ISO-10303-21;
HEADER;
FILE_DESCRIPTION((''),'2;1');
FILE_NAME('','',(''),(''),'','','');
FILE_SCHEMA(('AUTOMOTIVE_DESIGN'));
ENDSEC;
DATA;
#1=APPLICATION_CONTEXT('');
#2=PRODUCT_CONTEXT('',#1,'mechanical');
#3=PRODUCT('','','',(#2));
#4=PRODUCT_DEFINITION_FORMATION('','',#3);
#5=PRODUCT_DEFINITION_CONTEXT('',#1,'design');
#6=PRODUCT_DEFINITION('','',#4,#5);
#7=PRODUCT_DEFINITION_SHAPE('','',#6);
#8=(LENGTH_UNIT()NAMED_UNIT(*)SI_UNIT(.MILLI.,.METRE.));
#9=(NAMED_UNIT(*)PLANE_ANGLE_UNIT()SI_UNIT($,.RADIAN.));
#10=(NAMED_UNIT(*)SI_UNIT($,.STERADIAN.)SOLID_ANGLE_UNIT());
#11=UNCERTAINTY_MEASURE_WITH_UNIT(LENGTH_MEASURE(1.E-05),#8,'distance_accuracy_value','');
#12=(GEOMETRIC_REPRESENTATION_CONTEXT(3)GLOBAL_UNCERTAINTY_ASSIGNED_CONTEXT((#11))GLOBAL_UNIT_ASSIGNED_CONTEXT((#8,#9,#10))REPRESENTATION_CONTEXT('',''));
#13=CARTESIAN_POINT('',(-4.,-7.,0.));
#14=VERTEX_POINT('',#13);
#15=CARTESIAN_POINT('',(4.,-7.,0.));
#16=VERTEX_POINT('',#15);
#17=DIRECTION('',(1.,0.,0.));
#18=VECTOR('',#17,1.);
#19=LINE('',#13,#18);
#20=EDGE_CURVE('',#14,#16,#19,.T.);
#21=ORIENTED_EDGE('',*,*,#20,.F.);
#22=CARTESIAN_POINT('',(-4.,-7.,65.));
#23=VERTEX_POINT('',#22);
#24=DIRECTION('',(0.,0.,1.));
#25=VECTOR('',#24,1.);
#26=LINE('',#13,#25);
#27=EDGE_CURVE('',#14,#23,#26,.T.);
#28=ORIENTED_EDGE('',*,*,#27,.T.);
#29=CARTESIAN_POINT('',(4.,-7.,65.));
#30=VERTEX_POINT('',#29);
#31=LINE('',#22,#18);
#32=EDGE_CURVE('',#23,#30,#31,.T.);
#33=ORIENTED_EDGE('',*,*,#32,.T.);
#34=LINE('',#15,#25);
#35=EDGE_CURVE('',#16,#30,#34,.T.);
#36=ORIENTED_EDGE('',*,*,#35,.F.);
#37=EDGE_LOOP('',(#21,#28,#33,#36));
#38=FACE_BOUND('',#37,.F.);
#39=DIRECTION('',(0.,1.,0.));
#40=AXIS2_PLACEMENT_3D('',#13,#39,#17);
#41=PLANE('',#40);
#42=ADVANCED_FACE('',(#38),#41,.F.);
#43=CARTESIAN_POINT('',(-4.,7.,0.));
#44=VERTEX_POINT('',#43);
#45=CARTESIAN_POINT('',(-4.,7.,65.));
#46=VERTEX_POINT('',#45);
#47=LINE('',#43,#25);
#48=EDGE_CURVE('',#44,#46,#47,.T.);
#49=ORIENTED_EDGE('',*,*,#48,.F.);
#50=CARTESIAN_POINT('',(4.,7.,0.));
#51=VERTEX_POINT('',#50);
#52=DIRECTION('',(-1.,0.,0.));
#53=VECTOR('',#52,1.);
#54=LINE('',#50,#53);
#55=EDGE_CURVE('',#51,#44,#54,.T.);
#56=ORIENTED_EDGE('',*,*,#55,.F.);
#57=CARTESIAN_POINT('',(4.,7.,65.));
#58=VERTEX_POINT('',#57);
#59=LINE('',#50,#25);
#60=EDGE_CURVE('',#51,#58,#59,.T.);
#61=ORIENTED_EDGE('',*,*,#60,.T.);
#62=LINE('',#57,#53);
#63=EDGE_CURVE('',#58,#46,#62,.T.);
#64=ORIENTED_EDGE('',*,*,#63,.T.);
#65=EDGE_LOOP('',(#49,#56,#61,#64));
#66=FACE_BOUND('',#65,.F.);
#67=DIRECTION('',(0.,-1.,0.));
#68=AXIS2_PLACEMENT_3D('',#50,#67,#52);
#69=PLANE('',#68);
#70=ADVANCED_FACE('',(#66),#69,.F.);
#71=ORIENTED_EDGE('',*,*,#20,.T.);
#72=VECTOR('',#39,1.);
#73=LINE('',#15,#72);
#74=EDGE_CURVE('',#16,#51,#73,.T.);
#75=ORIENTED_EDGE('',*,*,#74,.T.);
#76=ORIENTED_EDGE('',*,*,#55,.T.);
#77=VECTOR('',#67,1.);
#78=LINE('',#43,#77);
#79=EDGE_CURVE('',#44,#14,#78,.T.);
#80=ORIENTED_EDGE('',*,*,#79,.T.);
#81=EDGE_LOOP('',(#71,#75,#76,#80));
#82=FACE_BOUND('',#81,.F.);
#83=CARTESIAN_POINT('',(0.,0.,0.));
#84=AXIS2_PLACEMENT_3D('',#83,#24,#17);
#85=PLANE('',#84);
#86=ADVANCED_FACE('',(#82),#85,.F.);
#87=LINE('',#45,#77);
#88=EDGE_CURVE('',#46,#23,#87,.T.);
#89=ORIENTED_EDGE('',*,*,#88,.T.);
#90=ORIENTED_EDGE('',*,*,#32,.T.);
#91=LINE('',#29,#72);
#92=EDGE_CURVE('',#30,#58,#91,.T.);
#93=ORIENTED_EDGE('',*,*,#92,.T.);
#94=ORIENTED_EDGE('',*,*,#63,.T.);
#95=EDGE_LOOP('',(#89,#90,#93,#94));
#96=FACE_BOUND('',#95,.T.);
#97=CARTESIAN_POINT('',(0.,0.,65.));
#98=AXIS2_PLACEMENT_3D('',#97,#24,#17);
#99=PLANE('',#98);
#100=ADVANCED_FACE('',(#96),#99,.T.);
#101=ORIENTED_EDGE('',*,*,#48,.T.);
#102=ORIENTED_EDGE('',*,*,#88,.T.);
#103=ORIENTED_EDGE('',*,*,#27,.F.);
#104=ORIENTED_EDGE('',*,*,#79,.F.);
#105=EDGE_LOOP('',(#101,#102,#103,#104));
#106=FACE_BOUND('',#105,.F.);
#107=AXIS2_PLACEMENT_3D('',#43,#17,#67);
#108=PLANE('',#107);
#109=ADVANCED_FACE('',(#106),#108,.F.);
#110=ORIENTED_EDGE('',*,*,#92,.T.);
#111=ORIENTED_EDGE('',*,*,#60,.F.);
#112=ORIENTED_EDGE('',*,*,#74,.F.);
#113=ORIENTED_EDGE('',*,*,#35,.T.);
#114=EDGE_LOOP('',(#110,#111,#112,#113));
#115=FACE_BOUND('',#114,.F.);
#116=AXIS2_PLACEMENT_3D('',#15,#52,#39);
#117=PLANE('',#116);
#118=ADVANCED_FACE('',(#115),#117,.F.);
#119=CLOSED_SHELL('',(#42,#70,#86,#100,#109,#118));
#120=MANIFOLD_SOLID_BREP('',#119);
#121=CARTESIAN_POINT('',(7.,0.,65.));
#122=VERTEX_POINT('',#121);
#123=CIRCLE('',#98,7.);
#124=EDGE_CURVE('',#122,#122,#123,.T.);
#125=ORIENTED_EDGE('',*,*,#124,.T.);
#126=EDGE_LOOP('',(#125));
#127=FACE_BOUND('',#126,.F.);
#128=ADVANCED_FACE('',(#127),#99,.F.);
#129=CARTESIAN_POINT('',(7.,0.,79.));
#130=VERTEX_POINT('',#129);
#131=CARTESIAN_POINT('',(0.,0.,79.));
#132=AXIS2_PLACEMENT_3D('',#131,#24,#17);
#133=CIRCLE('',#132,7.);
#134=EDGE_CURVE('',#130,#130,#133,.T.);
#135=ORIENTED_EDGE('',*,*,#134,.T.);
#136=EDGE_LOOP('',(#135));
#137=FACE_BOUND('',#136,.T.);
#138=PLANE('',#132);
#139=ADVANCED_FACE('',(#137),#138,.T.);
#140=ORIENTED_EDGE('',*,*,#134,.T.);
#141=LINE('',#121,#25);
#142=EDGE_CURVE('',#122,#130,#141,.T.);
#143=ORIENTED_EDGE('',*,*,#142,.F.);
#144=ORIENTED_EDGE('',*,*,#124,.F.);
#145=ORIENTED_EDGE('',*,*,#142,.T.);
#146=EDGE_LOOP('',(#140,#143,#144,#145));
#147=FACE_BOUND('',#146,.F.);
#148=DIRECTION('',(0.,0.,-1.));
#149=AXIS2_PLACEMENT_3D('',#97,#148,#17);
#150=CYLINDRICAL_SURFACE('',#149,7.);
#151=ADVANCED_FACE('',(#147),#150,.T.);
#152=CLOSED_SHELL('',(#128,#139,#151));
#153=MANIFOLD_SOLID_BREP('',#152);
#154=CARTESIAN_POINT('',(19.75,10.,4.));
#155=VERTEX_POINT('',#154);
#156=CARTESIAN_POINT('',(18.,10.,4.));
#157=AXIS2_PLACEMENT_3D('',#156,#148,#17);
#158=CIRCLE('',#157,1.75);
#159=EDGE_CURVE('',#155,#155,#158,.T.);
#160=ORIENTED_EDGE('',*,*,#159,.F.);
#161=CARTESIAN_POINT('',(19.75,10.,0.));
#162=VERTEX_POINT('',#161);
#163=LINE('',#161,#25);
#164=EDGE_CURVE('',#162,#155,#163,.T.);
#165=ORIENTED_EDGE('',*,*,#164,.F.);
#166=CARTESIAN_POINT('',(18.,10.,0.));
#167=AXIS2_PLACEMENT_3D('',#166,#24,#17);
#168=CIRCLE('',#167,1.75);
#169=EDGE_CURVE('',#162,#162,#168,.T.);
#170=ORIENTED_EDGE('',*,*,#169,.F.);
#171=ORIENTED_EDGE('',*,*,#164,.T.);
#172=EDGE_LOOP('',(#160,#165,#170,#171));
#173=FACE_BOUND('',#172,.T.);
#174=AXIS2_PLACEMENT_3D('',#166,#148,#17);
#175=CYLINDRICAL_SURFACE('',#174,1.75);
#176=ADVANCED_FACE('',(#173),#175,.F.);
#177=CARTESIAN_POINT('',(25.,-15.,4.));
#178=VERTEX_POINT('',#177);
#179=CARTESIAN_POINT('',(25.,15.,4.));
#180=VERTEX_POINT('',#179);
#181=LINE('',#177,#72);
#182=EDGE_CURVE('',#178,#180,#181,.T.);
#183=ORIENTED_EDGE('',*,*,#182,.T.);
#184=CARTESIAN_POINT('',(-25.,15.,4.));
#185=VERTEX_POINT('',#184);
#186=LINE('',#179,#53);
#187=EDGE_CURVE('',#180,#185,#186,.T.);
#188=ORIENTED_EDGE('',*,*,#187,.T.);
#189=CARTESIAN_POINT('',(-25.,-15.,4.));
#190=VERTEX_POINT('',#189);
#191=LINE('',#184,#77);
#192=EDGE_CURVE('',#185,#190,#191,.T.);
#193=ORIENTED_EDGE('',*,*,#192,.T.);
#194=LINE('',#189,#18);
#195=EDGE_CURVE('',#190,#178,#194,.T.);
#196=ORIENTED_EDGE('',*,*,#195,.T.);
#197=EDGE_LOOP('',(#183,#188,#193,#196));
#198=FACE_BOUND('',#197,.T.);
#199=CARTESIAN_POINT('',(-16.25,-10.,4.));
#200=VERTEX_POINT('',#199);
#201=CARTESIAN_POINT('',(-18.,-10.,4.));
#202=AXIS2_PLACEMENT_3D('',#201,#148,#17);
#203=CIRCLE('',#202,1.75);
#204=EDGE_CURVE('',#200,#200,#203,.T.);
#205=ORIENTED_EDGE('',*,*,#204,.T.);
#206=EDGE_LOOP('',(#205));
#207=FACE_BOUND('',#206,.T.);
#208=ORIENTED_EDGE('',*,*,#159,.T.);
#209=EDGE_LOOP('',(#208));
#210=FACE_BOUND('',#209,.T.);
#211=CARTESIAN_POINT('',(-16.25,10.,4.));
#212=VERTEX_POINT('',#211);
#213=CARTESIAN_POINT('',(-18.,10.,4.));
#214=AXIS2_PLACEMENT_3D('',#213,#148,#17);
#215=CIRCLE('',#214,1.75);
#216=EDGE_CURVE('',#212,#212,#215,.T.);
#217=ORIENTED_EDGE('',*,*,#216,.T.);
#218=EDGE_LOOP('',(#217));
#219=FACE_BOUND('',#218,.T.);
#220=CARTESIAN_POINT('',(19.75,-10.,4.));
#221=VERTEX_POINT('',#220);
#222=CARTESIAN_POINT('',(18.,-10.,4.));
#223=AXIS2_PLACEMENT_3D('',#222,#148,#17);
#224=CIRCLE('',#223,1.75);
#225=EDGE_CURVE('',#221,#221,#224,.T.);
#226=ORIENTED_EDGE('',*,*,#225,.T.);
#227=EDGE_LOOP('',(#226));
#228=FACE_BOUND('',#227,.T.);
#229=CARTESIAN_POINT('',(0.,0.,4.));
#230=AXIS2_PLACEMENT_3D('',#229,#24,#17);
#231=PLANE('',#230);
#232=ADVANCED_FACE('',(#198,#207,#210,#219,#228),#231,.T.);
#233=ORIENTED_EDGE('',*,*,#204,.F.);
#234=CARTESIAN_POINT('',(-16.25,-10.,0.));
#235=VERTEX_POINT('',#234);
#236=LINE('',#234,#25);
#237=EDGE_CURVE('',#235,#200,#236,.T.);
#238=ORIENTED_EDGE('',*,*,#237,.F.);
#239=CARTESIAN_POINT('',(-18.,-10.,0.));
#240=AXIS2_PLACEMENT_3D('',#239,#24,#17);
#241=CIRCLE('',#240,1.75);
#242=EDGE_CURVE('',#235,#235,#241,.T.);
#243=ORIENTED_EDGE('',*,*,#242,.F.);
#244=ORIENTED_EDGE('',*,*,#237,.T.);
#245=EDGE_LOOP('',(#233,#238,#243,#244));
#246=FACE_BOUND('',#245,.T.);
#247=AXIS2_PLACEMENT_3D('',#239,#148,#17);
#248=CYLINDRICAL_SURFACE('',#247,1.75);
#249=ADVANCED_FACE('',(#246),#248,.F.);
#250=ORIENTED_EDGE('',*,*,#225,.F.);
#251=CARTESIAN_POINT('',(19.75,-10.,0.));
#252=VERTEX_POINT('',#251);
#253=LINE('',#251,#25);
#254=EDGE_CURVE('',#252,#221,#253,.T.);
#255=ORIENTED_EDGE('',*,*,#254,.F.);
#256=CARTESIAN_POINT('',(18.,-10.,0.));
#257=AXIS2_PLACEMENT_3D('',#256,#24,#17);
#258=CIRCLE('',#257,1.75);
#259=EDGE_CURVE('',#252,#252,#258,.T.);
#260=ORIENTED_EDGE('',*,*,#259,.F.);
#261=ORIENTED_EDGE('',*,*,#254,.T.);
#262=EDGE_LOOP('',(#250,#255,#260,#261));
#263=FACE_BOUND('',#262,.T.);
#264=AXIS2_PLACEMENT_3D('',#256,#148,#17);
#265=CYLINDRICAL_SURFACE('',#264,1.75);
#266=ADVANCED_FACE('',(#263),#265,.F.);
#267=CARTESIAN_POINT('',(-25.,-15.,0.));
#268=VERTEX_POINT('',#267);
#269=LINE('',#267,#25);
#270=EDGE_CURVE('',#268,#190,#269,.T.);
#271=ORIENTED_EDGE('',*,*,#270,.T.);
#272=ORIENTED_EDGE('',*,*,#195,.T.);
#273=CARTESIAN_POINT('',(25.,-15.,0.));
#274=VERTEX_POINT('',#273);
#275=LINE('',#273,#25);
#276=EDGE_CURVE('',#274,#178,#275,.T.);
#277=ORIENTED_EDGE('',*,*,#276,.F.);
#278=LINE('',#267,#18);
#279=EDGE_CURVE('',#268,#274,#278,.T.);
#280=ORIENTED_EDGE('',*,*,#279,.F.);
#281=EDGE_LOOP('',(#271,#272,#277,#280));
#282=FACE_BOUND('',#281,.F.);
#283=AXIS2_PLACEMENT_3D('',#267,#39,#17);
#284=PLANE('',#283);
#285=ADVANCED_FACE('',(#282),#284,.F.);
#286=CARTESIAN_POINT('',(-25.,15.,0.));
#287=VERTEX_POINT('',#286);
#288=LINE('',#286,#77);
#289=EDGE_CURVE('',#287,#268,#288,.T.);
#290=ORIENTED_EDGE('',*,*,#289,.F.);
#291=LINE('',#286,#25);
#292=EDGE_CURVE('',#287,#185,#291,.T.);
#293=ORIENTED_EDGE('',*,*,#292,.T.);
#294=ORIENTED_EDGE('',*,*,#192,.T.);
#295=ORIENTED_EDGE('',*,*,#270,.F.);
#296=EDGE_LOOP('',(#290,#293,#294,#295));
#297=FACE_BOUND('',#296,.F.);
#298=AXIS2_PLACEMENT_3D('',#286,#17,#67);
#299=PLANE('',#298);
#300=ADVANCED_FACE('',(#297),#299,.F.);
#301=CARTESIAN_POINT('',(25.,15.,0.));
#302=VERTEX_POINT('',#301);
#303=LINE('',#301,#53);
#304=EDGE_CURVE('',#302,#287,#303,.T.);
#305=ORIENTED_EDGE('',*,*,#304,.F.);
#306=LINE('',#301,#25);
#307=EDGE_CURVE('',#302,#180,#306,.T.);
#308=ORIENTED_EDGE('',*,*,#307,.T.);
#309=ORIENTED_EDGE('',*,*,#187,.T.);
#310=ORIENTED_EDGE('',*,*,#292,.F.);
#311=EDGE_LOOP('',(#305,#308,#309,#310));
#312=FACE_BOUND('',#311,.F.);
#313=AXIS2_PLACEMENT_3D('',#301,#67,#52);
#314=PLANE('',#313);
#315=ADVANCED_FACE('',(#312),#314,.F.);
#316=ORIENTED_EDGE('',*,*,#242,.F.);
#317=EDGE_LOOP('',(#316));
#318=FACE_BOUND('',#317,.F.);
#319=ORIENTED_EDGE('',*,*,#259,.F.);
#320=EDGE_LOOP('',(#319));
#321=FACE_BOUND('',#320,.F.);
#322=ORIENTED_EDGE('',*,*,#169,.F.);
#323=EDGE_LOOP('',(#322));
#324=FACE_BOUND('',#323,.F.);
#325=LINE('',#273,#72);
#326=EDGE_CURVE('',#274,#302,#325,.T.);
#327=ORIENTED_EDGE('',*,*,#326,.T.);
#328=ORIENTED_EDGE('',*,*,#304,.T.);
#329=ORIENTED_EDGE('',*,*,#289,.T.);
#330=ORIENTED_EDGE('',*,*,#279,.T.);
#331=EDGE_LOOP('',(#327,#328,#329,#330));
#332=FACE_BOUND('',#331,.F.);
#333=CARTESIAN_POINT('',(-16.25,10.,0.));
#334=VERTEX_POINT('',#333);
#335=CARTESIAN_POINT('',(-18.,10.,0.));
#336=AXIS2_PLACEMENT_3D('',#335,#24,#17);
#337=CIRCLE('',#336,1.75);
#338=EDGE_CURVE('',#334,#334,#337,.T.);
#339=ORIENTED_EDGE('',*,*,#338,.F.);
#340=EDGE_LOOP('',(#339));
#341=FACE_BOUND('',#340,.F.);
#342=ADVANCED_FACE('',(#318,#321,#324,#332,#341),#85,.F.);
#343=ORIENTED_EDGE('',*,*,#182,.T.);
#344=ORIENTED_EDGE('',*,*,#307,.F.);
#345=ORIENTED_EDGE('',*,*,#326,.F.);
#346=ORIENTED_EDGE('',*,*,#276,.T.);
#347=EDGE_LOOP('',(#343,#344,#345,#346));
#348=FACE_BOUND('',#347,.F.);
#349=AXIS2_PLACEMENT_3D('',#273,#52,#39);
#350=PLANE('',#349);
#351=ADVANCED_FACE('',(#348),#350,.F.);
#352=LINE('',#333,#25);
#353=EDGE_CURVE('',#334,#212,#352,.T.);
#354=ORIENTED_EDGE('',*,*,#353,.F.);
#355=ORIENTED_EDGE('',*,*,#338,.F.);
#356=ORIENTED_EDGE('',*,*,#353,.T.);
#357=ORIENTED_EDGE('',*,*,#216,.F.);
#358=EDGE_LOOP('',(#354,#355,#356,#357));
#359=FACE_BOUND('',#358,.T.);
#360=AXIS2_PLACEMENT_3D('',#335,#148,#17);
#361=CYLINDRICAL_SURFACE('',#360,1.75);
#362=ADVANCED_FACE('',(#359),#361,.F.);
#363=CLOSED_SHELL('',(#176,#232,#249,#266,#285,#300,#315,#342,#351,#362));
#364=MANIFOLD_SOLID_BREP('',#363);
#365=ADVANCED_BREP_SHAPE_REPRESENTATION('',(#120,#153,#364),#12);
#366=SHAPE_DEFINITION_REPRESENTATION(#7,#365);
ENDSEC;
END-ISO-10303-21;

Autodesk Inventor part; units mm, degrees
ref_plane "YZ Plane" through (0, 0, 0) normal (1, 0, 0) x (0, 1, 0)
ref_plane "XZ Plane" through (0, 0, 0) normal (0, 1, 0) x (-1, 0, 0)
sketch "Skizze1" plane through (0, 0, 0) normal (0, 0, 1) x (1, 0, 0)
  line L0 (-25, -15) -> (25, -15)
  line L1 (25, -15) -> (25, 15)
  line L2 (25, 15) -> (-25, 15)
  line L3 (-25, 15) -> (-25, -15)
extrude "Extrusion1" add sketch "Skizze1" along normal blind 4
sketch "Skizze2" plane through (0, 0, 0) normal (0, 0, 1) x (1, 0, 0)
  line L0 (-4, -7) -> (4, -7)
  line L1 (4, -7) -> (4, 7)
  line L2 (4, 7) -> (-4, 7)
  line L3 (-4, 7) -> (-4, -7)
extrude "Extrusion2" add sketch "Skizze2" along normal blind 65 separate body
ref_plane "Arbeitsebene1" through (0, 0, 65) normal (0, 0, 1) x (1, 0, 0)
sketch "Skizze3" plane through (0, 0, 65) normal (0, 0, 1) x (1, 0, 0)
  circle A0 centre (0, 0) radius 7
extrude "Extrusion3" add sketch "Skizze3" along normal blind 14 separate body
sketch "Skizze4" plane through (0, 0, 0) normal (0, 1, 0) x (-1, 0, 0)
  line L0 (4, 4) -> (12, 4)
  line L1 (12, 4) -> (4, 55)
  line L2 (4, 55) -> (4, 4)
sketch "Skizze5" plane through (0, 0, 0) normal (0, 1, 0) x (-1, 0, 0)
  line L0 (-4, 4) -> (-12, 4)
  line L1 (-12, 4) -> (-4, 55)
  line L2 (-4, 55) -> (-4, 4)
sketch "Skizze6" plane through (0, 0, 0) normal (1, 0, 0) x (0, 1, 0)
  circle A0 centre (0, 72) radius 4.25
extrude "Extrusion4" cut sketch "Skizze6" along normal mid plane 51 bodies 1
sketch "Skizze7" plane through (0, 0, 0) normal (0, 0, 1) x (1, 0, 0)
  circle A0 centre (-18, -10) radius 1.75
  circle A1 centre (-18, 10) radius 1.75
  circle A2 centre (18, -10) radius 1.75
  circle A3 centre (18, 10) radius 1.75
extrude "Extrusion5" cut sketch "Skizze7" along normal blind 5 bodies 1
properties part number "Stuetze_v2"
